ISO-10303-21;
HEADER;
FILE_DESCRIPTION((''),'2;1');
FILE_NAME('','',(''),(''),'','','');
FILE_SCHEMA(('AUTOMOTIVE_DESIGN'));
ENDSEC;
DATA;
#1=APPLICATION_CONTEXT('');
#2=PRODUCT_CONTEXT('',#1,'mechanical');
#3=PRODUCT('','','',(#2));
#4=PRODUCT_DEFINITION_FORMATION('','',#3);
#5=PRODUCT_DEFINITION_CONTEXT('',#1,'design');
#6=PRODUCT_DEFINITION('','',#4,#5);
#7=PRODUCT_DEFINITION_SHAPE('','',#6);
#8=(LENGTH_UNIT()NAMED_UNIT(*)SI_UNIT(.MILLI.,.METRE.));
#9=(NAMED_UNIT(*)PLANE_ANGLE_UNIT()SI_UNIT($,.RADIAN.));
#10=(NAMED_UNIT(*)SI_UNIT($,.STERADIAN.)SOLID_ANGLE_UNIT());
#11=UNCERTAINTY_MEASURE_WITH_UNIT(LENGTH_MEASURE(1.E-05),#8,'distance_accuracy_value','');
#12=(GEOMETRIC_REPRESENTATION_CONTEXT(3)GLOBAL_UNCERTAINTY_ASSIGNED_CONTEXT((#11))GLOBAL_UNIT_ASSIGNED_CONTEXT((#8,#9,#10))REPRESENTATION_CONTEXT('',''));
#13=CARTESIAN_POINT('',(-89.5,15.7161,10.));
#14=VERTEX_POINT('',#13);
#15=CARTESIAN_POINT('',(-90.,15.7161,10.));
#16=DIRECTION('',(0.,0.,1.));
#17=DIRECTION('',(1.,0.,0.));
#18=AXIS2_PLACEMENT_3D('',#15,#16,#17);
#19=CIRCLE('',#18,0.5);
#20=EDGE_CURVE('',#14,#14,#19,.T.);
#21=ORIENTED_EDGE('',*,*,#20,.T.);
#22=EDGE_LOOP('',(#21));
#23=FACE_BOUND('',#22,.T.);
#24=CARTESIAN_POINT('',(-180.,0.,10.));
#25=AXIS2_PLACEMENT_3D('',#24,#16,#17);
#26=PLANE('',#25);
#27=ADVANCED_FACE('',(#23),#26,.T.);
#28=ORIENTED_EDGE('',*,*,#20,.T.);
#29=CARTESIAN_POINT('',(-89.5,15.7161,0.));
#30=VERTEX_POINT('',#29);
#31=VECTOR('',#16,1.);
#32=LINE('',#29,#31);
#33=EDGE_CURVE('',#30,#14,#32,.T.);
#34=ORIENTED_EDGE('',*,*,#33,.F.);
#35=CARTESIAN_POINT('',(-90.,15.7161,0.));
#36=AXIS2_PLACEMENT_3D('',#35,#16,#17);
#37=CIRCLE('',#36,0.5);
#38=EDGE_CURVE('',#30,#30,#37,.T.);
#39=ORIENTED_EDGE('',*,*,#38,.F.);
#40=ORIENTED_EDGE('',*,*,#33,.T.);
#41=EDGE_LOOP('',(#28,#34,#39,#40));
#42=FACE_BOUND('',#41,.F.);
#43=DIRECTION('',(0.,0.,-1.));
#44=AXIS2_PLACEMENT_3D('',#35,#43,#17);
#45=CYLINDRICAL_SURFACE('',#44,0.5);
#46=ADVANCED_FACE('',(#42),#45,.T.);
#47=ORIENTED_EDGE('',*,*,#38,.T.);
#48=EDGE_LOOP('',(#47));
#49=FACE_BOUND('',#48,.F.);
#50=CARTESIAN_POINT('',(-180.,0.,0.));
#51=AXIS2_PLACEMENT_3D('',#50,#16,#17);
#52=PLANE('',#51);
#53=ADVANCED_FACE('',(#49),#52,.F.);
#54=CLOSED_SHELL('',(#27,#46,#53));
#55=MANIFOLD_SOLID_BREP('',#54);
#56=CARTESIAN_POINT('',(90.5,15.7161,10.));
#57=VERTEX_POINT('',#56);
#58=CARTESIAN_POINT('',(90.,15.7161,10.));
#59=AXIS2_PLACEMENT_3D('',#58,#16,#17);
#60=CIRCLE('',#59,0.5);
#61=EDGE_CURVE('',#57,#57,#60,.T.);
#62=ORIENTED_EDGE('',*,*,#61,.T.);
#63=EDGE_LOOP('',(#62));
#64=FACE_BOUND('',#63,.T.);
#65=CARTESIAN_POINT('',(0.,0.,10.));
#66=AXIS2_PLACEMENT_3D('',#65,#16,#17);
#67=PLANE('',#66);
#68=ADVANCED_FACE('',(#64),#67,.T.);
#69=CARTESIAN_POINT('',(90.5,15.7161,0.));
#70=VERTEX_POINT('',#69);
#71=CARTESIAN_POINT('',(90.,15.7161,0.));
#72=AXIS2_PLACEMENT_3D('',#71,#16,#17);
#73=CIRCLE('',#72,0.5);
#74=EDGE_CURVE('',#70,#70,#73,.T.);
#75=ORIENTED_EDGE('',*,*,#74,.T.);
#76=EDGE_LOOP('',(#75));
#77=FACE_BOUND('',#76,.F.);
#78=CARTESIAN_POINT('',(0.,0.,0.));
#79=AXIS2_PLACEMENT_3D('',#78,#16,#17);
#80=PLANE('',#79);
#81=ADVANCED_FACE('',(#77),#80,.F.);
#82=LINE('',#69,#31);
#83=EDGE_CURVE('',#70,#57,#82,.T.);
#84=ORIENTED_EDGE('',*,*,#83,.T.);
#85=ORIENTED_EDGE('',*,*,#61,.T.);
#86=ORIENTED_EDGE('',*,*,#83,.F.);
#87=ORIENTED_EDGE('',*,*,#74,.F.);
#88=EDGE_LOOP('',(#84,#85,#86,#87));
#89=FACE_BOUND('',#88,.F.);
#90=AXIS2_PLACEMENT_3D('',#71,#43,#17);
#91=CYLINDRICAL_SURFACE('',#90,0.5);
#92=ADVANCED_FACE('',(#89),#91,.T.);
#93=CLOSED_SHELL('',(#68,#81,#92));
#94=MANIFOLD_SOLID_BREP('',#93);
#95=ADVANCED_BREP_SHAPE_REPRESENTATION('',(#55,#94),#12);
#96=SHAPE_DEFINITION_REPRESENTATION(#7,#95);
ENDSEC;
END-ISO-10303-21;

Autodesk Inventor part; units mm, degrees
ref_plane "YZ Plane" through (0, 0, 0) normal (1, 0, 0) x (0, 1, 0)
ref_plane "XZ Plane" through (0, 0, 0) normal (0, 1, 0) x (-1, 0, 0)
ref_plane "XY Plane" through (0, 0, 0) normal (0, 0, 1) x (1, 0, 0)
sketch "Sketch1" plane through (0, 0, 0) normal (0, 0, 1) x (1, 0, 0)
  line L0 (-150, -34.4315) -> (150, -34.4315)
  line L1 (150, -34.4315) -> (150, 34.4315)
  line L2 (150, 34.4315) -> (-150, 34.4315)
  line L3 (-150, 34.4315) -> (-150, -34.4315)
  line L4 (-150, -34.4315) -> (150, 34.4315) construction
  line L5 (150, -34.4315) -> (-150, 34.4315) construction
  point P0 (0, 0)
  dimension "d0" = 300
  dimension "d1" = 68.863
sketch "Lamello" plane through (0, 0, 0) normal (0, 0, 1) x (1, 0, 0)
  line L0 (48.383, 141.1858) -> (42.783, 141.1858)
  line L1 (40.583, 139.6858) -> (40.583, 114.6858)
  line L2 (42.783, 113.1858) -> (48.383, 113.1858)
  line L3 (50.583, 114.6858) -> (50.583, 139.6858)
  line L4 (50.583, 139.6858) -> (48.383, 141.1858)
  line L5 (40.583, 139.6858) -> (42.783, 141.1858)
  line L6 (40.583, 114.6858) -> (42.783, 113.1858)
  line L7 (50.583, 114.6858) -> (48.383, 113.1858)
  line L8 (50.583, 127.1858) -> (40.583, 127.1858)
  line L9 (45.583, 141.1858) -> (45.583, 113.1858)
  point P0 (45.583, 127.1858)
  point P1 (50.583, 141.1858)
  point P2 (40.583, 113.1858)
  point P3 (40.583, 141.1858)
  point P4 (50.583, 113.1858)
  dimension "d54" = 10
  dimension "d55" = 28
  dimension "d56" = 1.5
  dimension "d57" = 2.2
  dimension "d58" = 1.5
  dimension "d59" = 2.2
  dimension "d60" = 1.5
  dimension "d61" = 2.2
  dimension "d62" = 1.5
  dimension "d63" = 2.2
sketch "Sketch2" plane through (0, 0, 0) normal (0, 0, 1) x (1, 0, 0)
  circle A0 centre (90, 15.7161) radius 0.5
  line L0 (150, 34.4315) -> (-150, 34.4315) projected
  line L1 (-150, -34.4315) -> (150, -34.4315) projected
  line L2 (0, -85.9216) -> (0, 82.0784) projected
  line L3 (150, -34.4315) -> (150, 34.4315) projected
  point P0 (0, 0)
  dimension "d4" = 1
  dimension "d50" = 18.7154
  dimension "d70" = 60
extrude "Extrusion1" add sketch "Sketch2" along normal blind 10 contours A0
pattern_linear "Clamex Array" count 2 spacing 180 along (-1, 0, 0) of "Extrusion1"
sketch "Edge-Side Connection" plane through (0, 0, 0) normal (1, 0, 0) x (0, 1, 0)
  line L0 (-50, 0) -> (50, 0)
  line L1 (50, 0) -> (50, 37)
  line L2 (50, 37) -> (-50, 37)
  line L3 (-50, 37) -> (-50, 0)
  line L4 (-34.4315, 0) -> (-15.7792, -40)
  line L5 (-15.7792, -40) -> (53.0838, -40)
  line L6 (53.0838, -40) -> (34.4315, 0)
  line L7 (4.2177, -14) -> (4.2177, 14) construction
  line L8 (34.4315, 0) -> (9.2177, 0)
  line L9 (-0.7823, -12.5) -> (-23.6338, -23.1558)
  point P0 (0, 0)
  point P1 (34.4315, 0)
  point P2 (0, 0)
  dimension "d26" = 100
  dimension "d27" = 37
  dimension "d28" = 40
  dimension "OtherSideRefYCoordinate" = 38.6492
  dimension "ReferenceCoord" = 30.2138
  dimension "d49" = 65
sketch "Edge-Edge Connection" plane through (0, 0, 0) normal (1, 0, 0) x (0, 1, 0)
  line L0 (-61.9216, 37) -> (58.0784, 37)
  line L1 (58.0784, 37) -> (0, 0)
  line L2 (0, 0) -> (-61.9216, 0)
  line L3 (-61.9216, 0) -> (-61.9216, 37)
  line L4 (58.0784, 37) -> (7.3642, -71.7569)
  line L5 (0, 0) -> (-26.1692, -56.1201)
  line L6 (-26.1692, -56.1201) -> (7.3642, -71.7569)
  line L7 (11.5674, 7.3693) -> (0, 0)
  line L8 (13.2851, 23.2846) -> (13.2851, 37)
  point P0 (15.7844, 10.0558)
  dimension "d51" = 37
  dimension "d53" = 37
  dimension "EdgeEdgeReferenceCoord" = 18.7154
  dimension "d65" = 65
  dimension "d66" = 120
  dimension "d67" = 120
  dimension "EdgeEdgeOtherSideRefYCoordinate" = 50.1475
equation "\"d9\" = Step"
equation "\"d27\" = NestleBoardT"
equation "\"d0\" = ContactPatchWidth"
equation "\"d1\" = ContactPatchHeight"
equation "\"ContactPatchWidth\" = 300"
equation "\"ContactPatchHeight\" = 68.863"
equation "\"MinDistBetween\" = 96"
equation "\"Step\" = 180"
equation "\"Y_Coord\" = 18.71536"
equation "\"NestleBoardT\" = 37"
equation "\"PillarBoardT\" = 37"
equation "\"AngleForYPositionCalc\" = 65deg"
equation "\"ConnectionAngle\" = 65deg"
equation "\"ShiftY\" = 0"
properties part number "Clamex Joint1300"
